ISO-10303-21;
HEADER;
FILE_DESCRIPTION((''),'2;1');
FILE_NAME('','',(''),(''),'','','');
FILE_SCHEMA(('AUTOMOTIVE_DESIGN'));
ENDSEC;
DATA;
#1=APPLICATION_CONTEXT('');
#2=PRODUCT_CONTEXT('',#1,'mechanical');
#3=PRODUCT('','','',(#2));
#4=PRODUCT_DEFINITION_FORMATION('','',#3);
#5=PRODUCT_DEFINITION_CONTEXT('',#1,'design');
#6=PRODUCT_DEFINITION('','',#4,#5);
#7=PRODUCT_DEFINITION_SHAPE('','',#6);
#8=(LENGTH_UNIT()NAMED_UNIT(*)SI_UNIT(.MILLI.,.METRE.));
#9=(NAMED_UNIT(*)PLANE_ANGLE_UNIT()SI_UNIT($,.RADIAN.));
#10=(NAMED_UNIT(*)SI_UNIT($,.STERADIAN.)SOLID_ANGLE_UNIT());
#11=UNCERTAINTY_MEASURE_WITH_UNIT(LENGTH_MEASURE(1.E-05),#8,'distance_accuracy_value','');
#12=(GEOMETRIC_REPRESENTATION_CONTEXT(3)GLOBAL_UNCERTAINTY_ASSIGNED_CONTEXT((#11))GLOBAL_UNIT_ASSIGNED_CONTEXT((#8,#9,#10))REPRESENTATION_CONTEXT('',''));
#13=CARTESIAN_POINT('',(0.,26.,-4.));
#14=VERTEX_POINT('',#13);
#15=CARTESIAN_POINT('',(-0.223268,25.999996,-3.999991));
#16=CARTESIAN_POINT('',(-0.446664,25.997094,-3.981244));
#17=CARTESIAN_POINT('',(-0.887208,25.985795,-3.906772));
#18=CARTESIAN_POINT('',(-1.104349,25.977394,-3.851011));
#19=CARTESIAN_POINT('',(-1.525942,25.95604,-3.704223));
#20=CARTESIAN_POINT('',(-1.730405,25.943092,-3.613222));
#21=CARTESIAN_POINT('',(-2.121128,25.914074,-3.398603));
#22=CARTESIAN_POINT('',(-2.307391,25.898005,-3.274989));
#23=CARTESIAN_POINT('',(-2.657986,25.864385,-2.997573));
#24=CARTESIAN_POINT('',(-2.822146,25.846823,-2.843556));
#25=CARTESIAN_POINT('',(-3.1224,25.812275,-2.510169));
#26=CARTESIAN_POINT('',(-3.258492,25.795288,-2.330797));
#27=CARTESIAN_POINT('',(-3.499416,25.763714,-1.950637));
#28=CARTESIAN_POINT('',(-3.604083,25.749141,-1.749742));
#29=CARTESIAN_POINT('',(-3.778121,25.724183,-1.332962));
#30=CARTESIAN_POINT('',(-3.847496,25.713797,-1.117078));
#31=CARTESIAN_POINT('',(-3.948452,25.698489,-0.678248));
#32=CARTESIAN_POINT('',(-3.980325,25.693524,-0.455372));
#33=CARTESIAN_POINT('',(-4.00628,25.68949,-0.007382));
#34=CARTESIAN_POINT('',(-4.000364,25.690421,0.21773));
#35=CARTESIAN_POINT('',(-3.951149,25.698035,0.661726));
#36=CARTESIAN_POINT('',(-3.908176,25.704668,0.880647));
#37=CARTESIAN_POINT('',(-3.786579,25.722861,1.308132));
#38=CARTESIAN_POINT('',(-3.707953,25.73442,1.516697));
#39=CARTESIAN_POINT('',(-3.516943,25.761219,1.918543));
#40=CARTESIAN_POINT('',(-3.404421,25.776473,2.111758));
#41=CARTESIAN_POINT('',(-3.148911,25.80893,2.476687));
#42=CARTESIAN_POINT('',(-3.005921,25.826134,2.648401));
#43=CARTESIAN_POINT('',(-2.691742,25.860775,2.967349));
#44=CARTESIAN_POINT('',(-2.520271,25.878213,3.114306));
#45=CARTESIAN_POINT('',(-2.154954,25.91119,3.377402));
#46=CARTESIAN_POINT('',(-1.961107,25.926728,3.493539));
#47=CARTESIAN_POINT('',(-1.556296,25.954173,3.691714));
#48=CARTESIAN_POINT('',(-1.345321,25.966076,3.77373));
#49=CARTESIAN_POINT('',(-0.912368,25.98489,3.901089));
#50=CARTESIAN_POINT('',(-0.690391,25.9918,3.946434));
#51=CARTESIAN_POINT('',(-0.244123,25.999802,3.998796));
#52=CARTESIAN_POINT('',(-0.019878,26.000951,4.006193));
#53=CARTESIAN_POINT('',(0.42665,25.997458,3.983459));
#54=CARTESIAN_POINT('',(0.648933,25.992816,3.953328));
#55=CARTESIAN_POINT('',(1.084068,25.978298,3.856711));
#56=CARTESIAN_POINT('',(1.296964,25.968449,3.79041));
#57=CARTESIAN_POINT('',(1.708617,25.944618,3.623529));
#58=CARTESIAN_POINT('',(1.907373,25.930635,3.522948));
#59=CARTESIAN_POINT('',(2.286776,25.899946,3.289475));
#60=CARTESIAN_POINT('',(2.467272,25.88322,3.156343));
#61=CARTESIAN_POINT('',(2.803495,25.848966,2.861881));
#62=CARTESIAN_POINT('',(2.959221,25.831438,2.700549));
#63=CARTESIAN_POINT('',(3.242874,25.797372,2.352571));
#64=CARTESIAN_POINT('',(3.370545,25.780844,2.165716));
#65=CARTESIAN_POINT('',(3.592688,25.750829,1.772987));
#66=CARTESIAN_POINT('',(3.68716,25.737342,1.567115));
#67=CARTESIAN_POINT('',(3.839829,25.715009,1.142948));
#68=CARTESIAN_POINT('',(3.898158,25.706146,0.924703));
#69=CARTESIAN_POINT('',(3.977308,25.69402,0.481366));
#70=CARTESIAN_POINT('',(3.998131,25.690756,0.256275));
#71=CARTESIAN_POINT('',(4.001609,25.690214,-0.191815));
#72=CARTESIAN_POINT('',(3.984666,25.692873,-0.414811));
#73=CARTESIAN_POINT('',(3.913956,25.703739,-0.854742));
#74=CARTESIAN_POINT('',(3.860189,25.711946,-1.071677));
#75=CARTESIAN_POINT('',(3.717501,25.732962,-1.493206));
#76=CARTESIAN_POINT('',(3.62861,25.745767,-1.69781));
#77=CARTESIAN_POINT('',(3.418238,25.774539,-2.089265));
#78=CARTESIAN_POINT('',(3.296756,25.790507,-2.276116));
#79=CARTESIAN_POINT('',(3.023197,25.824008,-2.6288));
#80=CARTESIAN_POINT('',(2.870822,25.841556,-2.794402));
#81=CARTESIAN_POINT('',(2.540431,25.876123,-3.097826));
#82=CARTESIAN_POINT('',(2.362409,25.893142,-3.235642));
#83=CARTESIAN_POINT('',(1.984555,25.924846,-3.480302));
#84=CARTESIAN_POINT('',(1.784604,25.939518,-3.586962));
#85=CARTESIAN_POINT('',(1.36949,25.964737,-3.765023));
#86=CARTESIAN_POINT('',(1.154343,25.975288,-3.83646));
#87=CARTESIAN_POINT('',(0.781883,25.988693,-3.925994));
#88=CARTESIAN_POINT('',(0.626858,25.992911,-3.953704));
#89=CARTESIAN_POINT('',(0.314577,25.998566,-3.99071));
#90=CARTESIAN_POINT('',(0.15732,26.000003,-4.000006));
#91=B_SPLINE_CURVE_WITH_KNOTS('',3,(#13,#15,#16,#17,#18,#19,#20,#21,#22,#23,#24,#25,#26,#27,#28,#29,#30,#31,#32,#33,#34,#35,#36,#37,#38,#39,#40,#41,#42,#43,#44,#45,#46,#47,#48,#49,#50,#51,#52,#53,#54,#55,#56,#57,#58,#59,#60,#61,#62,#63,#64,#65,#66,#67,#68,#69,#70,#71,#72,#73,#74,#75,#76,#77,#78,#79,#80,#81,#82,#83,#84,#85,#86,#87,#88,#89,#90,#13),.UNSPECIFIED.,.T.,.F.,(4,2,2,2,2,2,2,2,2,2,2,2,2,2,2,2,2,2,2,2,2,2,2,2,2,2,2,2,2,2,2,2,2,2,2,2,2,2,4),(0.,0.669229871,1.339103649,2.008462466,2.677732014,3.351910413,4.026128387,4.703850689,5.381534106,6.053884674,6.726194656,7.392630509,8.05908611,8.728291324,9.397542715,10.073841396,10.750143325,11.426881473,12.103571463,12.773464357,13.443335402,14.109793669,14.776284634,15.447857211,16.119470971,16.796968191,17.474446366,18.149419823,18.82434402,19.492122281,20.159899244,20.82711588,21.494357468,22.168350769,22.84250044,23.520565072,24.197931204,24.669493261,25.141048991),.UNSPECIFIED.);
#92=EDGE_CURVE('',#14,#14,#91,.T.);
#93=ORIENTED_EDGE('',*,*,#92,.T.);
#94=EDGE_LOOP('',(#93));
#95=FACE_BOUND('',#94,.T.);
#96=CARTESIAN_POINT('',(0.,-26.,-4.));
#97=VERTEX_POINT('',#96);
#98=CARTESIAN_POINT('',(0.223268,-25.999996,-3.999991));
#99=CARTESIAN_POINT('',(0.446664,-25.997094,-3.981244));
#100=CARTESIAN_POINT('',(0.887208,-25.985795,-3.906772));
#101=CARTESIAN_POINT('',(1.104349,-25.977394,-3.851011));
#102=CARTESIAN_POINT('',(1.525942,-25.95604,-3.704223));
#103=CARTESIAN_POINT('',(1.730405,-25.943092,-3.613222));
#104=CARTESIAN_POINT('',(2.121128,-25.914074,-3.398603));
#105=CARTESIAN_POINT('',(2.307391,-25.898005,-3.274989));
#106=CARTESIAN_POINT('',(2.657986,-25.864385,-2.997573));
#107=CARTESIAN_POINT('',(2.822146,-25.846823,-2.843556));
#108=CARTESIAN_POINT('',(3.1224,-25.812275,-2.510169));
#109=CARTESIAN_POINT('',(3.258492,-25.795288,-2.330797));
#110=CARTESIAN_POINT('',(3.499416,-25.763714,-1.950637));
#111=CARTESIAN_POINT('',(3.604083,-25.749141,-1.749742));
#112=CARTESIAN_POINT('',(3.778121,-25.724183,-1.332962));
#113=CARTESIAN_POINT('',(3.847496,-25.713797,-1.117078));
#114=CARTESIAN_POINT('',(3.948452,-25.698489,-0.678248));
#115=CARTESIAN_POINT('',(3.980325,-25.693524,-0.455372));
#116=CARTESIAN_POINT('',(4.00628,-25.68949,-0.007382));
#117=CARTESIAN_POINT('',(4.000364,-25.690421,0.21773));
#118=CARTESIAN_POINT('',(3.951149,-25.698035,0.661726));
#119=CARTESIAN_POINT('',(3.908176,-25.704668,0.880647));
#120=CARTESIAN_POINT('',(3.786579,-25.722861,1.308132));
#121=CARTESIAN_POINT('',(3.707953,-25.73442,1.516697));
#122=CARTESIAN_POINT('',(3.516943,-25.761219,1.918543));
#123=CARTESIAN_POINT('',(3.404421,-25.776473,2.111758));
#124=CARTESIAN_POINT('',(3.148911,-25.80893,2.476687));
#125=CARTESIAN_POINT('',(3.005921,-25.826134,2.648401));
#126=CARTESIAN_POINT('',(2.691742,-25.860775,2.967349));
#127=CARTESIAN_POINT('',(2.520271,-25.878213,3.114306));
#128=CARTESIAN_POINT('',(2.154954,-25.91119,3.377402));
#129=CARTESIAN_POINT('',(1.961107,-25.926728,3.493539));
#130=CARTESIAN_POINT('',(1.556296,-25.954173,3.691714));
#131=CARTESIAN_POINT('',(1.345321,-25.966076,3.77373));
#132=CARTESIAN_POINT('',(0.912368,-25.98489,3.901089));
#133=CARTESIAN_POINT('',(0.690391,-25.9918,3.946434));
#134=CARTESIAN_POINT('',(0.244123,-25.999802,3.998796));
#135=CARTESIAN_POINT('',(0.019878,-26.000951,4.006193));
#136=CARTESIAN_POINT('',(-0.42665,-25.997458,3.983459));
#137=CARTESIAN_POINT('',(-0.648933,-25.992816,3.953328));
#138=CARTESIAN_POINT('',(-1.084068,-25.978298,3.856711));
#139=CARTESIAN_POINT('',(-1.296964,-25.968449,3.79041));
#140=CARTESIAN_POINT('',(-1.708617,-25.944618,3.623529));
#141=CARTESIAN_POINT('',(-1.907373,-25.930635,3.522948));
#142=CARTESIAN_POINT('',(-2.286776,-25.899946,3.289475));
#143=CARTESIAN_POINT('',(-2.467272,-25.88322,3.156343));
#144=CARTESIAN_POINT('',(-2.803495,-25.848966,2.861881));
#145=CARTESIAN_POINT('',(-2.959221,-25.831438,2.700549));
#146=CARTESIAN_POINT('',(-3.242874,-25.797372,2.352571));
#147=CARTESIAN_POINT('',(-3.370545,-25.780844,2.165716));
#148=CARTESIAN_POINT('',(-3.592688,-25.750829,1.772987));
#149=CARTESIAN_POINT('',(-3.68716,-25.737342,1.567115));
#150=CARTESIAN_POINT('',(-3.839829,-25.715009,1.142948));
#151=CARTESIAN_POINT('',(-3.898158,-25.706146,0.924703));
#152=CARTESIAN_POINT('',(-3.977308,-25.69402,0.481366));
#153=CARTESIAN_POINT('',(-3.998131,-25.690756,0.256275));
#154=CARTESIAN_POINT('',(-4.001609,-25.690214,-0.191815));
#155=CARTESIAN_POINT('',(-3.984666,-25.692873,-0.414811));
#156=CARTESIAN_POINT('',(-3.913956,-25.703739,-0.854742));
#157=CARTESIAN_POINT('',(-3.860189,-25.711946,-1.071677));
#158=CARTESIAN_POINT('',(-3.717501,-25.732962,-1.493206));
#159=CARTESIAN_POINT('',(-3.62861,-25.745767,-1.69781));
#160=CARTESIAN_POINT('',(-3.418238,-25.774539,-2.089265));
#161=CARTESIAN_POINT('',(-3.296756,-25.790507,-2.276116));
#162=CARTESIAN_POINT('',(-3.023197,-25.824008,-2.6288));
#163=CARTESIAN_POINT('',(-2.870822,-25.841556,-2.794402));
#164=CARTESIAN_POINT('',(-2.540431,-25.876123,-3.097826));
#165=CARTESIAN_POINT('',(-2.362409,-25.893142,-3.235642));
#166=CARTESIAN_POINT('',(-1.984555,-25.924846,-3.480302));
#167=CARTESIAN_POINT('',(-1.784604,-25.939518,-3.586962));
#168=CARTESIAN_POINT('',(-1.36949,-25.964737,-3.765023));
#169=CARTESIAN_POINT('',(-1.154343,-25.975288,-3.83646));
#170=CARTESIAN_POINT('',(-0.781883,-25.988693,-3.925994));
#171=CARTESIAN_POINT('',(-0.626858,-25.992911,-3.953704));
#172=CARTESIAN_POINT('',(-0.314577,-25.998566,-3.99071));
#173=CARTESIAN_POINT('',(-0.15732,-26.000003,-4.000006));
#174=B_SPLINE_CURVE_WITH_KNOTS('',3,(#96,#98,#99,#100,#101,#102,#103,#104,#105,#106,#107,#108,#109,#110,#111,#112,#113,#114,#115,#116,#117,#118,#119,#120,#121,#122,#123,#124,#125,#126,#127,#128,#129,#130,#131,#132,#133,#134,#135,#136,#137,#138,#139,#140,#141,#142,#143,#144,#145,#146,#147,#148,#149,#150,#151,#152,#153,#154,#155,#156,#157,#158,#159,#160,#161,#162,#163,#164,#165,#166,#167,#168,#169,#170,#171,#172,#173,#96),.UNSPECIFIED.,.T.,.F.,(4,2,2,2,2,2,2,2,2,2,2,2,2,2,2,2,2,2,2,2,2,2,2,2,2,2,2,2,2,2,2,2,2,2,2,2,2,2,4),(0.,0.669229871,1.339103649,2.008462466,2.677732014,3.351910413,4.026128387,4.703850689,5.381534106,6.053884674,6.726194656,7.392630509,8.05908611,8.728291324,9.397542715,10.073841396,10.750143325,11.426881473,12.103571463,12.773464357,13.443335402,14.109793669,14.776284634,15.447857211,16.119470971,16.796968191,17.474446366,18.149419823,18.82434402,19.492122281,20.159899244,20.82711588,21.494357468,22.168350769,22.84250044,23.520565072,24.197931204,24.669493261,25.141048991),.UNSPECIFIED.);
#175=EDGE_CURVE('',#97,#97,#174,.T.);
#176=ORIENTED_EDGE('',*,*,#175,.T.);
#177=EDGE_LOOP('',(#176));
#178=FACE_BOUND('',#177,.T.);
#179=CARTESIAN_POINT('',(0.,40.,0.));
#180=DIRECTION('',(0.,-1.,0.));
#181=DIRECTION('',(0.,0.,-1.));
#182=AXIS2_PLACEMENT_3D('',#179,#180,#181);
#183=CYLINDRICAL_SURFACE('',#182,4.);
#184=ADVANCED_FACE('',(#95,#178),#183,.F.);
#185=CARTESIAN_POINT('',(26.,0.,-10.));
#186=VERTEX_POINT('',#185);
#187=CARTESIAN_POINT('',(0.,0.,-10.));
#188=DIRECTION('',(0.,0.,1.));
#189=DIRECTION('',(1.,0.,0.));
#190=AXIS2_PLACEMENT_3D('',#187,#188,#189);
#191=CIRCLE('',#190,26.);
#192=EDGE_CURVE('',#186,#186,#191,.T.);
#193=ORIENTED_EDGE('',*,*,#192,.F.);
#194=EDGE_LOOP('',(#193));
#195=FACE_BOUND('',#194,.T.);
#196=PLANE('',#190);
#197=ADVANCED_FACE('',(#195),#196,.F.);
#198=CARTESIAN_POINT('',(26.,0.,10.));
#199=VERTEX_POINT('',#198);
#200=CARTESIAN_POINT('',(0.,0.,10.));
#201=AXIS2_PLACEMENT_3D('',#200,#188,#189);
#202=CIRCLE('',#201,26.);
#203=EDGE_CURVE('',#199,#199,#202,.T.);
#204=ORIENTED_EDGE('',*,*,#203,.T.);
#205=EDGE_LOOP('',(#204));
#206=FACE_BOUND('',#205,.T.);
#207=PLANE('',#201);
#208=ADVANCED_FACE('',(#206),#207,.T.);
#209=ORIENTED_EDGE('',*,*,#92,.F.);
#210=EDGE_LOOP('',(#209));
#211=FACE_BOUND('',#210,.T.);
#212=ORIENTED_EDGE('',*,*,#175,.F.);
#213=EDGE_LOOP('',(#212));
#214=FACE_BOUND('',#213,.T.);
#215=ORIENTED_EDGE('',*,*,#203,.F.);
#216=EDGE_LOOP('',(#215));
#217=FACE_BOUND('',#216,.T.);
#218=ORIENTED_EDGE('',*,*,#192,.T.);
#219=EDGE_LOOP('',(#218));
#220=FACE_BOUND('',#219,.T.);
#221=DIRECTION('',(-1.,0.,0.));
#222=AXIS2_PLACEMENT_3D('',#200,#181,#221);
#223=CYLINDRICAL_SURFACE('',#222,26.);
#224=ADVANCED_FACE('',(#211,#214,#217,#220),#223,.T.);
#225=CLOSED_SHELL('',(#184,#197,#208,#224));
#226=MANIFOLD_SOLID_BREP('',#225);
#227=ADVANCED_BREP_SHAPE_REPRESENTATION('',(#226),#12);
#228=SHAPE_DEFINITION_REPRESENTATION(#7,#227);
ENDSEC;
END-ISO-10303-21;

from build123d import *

# Parameters (mm, degrees)
PROFILE_OUTER_R          = 26
FEATURE_CYLINDER_DEPTH   = 10
PROFILE_BORE_R           = 4
FEATURE_CROSS_BORE_DEPTH = 40


with BuildPart() as part:
    # profile:outer → feature:cylinder (new, symmetric)
    with BuildSketch(Plane.XY):
        Circle(PROFILE_OUTER_R)
    extrude(amount=FEATURE_CYLINDER_DEPTH, both=True)

    # profile:bore → feature:cross-bore (cut, symmetric)
    with BuildSketch(Plane(origin=(0, 0, 0), x_dir=(1, 0, 0), z_dir=(0, 1, 0))):
        with Locations(Location((0, 0, 0), (0, 0, 90))):
            Circle(PROFILE_BORE_R)
    extrude(amount=FEATURE_CROSS_BORE_DEPTH, both=True, mode=Mode.SUBTRACT)


solid = part.part
